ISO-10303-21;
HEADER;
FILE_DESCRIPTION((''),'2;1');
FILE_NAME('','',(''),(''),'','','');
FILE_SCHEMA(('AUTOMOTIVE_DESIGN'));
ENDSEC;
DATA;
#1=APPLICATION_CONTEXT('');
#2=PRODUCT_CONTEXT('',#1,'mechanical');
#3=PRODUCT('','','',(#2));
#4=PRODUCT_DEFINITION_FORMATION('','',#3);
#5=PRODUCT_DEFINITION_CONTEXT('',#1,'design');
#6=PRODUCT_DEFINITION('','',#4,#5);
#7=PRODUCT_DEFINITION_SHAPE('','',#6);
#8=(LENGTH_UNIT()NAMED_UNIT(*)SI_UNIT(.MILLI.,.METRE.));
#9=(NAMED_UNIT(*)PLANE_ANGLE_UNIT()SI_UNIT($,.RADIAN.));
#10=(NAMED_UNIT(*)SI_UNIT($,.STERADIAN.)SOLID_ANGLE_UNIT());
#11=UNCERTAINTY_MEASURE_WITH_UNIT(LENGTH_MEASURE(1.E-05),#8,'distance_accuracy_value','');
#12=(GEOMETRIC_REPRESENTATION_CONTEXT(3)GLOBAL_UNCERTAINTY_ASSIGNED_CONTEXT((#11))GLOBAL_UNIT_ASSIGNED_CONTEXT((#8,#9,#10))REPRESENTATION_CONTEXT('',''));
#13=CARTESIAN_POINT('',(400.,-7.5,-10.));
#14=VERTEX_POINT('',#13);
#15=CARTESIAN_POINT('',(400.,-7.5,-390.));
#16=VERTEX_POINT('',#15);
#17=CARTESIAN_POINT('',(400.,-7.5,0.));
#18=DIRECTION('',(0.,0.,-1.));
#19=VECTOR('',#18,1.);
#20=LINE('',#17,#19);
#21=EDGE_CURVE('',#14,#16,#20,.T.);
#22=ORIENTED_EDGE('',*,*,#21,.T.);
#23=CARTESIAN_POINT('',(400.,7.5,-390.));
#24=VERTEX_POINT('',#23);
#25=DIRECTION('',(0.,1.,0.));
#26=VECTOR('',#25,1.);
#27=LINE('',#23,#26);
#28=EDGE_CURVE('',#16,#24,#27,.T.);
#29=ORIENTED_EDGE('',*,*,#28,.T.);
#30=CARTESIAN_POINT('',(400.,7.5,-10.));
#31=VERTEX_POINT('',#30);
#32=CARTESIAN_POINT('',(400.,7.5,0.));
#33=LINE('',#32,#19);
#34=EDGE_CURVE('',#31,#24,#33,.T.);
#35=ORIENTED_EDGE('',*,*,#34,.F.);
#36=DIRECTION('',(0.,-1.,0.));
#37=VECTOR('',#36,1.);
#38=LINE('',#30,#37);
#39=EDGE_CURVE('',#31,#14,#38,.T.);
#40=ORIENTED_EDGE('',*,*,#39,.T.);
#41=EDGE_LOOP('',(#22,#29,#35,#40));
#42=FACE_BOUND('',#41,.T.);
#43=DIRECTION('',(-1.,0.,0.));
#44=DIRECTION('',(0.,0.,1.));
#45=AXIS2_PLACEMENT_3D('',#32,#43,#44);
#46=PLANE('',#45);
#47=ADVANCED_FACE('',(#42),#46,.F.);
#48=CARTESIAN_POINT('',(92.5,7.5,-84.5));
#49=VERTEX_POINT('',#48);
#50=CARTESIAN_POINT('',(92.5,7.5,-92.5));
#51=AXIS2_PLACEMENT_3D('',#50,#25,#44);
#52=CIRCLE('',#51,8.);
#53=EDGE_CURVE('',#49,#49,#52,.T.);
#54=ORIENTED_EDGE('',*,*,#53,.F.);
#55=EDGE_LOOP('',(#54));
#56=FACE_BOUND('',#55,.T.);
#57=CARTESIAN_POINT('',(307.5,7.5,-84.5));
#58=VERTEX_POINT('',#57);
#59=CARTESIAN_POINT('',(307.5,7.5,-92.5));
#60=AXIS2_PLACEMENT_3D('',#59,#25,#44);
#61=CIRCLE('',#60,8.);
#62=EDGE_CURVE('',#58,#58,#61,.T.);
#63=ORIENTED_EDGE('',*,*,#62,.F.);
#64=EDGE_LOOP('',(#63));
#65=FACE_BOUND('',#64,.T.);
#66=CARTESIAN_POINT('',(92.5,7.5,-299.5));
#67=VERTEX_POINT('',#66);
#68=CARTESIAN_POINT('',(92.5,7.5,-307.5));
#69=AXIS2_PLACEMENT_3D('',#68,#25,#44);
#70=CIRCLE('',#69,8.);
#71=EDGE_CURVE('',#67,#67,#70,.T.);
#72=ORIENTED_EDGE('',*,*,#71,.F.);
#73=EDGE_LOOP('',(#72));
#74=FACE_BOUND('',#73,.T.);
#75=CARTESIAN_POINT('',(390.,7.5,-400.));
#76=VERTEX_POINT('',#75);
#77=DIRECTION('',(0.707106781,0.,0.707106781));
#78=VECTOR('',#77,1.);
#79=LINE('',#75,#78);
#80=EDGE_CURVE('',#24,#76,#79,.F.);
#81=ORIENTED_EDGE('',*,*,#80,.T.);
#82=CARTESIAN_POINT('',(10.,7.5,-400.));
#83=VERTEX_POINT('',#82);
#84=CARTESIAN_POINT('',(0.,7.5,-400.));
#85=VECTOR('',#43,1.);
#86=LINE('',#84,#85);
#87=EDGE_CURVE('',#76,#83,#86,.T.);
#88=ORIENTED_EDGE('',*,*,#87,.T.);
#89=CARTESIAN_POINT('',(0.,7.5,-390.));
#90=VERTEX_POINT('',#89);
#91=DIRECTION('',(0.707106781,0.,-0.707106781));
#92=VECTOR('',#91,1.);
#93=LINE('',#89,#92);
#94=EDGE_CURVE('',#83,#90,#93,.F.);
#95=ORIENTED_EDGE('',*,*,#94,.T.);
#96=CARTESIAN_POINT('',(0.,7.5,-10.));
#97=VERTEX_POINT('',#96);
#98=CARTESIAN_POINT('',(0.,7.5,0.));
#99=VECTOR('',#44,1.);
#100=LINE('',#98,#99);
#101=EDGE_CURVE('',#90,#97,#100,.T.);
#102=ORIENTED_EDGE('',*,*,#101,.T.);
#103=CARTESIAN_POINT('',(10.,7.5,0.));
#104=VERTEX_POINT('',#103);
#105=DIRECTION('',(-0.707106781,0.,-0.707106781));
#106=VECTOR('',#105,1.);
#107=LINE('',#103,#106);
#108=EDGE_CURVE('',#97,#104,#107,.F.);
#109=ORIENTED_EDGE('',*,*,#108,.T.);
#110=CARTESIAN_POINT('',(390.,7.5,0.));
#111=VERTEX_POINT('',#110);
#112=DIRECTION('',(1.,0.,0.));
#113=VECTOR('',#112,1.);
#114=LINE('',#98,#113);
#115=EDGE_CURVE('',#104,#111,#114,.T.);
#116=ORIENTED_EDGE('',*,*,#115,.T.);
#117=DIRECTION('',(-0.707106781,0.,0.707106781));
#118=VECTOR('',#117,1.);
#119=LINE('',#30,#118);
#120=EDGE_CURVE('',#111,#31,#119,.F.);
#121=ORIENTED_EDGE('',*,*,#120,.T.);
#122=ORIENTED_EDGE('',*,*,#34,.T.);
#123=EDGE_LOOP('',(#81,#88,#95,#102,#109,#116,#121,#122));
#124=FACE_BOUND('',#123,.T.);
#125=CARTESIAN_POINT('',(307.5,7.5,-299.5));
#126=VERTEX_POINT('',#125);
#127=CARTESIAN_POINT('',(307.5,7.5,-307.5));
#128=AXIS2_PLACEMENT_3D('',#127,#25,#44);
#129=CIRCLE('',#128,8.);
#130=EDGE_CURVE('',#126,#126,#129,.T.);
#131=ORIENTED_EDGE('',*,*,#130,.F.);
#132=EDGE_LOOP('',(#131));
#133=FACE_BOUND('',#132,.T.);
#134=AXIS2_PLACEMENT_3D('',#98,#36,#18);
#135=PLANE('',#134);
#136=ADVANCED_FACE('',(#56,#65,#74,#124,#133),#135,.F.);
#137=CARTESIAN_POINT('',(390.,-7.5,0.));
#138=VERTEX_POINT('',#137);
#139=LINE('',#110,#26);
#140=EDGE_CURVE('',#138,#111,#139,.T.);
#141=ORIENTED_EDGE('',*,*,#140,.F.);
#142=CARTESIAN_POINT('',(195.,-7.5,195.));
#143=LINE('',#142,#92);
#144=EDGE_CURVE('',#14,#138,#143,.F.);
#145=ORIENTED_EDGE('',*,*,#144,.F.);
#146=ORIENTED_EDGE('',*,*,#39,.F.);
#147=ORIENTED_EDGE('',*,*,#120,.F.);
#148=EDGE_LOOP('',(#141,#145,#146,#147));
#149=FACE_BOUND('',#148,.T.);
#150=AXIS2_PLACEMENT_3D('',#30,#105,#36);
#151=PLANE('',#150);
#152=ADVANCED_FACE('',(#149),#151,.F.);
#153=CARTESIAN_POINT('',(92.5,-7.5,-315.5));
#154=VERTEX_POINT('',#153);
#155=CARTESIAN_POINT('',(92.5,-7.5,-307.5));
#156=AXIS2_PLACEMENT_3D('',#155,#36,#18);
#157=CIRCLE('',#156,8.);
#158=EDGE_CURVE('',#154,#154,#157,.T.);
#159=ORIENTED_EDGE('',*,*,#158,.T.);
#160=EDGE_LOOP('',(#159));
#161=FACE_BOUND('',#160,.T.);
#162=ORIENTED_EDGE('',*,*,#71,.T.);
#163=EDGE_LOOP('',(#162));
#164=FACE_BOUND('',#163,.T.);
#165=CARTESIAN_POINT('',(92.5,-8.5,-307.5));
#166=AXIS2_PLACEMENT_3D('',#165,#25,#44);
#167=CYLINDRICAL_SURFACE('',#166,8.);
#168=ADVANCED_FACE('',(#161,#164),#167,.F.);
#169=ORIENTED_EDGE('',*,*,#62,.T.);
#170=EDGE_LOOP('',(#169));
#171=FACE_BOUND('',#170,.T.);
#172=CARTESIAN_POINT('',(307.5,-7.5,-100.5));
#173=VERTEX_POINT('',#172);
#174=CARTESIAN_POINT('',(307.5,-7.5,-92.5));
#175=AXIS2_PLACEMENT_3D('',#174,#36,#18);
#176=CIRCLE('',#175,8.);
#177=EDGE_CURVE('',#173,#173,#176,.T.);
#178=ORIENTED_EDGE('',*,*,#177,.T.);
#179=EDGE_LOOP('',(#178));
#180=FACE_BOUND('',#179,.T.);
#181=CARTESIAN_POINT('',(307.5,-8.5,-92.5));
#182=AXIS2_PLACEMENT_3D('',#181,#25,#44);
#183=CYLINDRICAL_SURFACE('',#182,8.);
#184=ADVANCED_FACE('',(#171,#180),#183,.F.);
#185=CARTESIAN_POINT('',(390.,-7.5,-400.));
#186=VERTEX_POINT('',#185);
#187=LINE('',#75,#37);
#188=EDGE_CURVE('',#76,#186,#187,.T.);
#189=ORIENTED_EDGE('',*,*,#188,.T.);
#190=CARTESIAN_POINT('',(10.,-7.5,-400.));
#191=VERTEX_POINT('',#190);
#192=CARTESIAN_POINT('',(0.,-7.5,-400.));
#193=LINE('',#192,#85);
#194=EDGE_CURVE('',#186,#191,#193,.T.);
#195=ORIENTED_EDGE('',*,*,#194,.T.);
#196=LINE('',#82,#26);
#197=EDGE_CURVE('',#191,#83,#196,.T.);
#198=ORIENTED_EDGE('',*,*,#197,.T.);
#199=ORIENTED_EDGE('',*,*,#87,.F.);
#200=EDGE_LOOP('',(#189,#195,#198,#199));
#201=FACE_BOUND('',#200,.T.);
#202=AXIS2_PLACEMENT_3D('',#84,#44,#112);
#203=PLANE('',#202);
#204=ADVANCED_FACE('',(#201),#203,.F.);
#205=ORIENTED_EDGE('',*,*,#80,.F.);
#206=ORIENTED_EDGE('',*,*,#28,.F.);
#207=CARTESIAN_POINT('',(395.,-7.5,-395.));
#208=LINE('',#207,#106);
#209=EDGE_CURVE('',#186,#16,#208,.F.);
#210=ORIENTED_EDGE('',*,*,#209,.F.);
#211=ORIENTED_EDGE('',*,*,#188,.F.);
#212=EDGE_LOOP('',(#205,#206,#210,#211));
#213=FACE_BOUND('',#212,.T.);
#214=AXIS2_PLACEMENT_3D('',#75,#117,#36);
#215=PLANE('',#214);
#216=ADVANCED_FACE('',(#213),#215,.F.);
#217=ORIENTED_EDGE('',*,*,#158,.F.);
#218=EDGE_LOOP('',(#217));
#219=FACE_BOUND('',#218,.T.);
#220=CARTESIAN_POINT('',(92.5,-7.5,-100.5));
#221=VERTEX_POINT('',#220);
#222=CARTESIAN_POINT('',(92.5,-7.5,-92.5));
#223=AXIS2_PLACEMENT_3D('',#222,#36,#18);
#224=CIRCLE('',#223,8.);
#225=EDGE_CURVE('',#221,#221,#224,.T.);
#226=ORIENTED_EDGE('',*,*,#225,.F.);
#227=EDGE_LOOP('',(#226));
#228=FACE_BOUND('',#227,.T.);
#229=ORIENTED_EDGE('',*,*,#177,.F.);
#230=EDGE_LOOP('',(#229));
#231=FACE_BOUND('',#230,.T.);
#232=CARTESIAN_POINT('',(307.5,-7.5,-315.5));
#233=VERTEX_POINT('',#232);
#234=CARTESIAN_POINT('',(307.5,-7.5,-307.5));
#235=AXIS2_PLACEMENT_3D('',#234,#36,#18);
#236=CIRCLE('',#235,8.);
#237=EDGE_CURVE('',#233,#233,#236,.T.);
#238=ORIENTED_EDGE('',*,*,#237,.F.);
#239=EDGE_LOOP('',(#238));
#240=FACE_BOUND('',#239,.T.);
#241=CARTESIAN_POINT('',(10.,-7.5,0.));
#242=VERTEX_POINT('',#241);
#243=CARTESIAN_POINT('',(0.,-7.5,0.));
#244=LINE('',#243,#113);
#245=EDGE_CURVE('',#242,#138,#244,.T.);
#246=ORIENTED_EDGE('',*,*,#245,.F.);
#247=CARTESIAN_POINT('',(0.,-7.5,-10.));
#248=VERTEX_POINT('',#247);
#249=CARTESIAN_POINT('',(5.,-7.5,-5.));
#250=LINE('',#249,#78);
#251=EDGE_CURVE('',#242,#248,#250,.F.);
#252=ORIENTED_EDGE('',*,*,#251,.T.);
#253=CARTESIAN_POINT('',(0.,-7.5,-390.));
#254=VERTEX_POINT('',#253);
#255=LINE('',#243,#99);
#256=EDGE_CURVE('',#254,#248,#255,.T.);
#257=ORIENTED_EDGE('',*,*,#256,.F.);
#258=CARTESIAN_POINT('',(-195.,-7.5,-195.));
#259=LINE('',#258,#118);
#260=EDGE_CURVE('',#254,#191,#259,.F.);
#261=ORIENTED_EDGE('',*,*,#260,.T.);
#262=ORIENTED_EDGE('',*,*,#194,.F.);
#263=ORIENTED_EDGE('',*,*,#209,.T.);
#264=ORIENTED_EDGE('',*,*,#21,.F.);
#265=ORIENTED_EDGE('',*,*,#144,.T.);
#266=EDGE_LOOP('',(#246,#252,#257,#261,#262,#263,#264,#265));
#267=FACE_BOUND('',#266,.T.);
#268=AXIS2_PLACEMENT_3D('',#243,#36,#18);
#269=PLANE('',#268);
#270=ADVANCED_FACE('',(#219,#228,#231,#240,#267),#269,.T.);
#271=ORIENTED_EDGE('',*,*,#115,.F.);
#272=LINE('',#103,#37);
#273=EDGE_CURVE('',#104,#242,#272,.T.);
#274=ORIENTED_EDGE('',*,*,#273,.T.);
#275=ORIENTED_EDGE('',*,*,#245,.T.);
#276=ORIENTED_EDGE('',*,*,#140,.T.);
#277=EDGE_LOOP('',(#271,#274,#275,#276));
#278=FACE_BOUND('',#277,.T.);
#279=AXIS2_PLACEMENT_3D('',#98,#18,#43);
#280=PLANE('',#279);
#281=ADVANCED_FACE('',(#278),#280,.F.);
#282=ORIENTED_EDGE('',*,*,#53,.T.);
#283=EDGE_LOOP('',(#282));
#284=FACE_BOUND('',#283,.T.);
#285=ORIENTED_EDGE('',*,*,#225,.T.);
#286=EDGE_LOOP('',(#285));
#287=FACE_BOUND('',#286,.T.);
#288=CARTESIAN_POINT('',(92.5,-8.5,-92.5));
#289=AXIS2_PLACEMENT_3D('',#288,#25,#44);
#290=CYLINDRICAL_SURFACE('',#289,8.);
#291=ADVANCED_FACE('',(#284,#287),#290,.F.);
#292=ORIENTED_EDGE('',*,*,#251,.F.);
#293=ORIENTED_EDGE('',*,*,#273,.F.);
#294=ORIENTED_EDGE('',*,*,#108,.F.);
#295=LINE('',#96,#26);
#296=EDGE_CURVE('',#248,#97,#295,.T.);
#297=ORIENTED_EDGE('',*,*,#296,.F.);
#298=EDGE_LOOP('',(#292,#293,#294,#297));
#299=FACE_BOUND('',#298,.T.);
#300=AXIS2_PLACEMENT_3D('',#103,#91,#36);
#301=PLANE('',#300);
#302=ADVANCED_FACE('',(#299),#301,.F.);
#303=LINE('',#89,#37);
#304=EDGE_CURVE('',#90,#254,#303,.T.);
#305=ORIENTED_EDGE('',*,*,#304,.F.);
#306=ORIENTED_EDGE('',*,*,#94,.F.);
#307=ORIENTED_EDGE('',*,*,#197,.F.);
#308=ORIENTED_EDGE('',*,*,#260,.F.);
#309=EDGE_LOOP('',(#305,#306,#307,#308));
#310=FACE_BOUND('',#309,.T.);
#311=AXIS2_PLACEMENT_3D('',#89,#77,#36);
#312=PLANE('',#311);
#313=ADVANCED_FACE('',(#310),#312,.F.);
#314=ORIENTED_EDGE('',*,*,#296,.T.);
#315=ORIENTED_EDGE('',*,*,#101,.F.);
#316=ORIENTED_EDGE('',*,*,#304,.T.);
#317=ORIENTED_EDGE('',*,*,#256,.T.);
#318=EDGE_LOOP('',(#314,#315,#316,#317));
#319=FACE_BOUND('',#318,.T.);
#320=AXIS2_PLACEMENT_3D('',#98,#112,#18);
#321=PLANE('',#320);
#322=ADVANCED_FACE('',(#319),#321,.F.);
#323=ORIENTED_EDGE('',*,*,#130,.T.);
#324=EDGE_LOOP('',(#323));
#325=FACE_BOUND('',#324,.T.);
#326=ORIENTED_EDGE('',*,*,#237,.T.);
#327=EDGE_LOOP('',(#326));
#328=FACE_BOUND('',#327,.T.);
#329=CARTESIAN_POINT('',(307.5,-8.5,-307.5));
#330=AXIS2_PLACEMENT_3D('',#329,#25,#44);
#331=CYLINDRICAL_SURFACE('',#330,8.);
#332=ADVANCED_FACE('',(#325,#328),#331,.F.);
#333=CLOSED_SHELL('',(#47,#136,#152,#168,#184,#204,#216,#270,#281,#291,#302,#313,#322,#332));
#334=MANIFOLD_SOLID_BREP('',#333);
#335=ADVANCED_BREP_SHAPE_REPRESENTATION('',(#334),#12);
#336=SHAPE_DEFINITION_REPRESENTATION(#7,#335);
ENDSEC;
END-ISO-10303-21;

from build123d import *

# Parameters (mm, degrees)
SKETCH1_W           = 400
SKETCH1_H           = 400
BOSS_EXTRUDE1_DEPTH = 7.5
CHAMFER1_SIZE       = 10
SKETCH3_R           = 8
CUT_EXTRUDE1_DEPTH  = 16


with BuildPart() as part:
    # Sketch1 → Boss-Extrude1 (new body, symmetric)
    with BuildSketch(Plane(origin=(0, 0, 0), x_dir=(1, 0, 0), z_dir=(0, 1, 0))):
        with Locations((200, 200)):
            Rectangle(SKETCH1_W, SKETCH1_H)
    extrude(amount=BOSS_EXTRUDE1_DEPTH, both=True)

    # Chamfer1
    chamfer1_edges = [part.edges().sort_by_distance(p)[0] for p in [
        (0, 0, -400),
        (400, 0, -400),
        (400, 0, 0),
        (0, 0, 0),
    ]]
    chamfer(chamfer1_edges, length=CHAMFER1_SIZE)

    # Sketch3 → Cut-Extrude1 (cut)
    with BuildSketch(Plane(origin=(0, 7.5, 0), x_dir=(1, 0, 0), z_dir=(0, 1, 0))):
        with Locations((307.5, 307.5)):
            Circle(SKETCH3_R)
        with Locations((307.5, 92.5)):
            Circle(SKETCH3_R)
        with Locations((92.5, 92.5)):
            Circle(SKETCH3_R)
        with Locations((92.5, 307.5)):
            Circle(SKETCH3_R)
    extrude(amount=-CUT_EXTRUDE1_DEPTH, mode=Mode.SUBTRACT)


solid = part.part
